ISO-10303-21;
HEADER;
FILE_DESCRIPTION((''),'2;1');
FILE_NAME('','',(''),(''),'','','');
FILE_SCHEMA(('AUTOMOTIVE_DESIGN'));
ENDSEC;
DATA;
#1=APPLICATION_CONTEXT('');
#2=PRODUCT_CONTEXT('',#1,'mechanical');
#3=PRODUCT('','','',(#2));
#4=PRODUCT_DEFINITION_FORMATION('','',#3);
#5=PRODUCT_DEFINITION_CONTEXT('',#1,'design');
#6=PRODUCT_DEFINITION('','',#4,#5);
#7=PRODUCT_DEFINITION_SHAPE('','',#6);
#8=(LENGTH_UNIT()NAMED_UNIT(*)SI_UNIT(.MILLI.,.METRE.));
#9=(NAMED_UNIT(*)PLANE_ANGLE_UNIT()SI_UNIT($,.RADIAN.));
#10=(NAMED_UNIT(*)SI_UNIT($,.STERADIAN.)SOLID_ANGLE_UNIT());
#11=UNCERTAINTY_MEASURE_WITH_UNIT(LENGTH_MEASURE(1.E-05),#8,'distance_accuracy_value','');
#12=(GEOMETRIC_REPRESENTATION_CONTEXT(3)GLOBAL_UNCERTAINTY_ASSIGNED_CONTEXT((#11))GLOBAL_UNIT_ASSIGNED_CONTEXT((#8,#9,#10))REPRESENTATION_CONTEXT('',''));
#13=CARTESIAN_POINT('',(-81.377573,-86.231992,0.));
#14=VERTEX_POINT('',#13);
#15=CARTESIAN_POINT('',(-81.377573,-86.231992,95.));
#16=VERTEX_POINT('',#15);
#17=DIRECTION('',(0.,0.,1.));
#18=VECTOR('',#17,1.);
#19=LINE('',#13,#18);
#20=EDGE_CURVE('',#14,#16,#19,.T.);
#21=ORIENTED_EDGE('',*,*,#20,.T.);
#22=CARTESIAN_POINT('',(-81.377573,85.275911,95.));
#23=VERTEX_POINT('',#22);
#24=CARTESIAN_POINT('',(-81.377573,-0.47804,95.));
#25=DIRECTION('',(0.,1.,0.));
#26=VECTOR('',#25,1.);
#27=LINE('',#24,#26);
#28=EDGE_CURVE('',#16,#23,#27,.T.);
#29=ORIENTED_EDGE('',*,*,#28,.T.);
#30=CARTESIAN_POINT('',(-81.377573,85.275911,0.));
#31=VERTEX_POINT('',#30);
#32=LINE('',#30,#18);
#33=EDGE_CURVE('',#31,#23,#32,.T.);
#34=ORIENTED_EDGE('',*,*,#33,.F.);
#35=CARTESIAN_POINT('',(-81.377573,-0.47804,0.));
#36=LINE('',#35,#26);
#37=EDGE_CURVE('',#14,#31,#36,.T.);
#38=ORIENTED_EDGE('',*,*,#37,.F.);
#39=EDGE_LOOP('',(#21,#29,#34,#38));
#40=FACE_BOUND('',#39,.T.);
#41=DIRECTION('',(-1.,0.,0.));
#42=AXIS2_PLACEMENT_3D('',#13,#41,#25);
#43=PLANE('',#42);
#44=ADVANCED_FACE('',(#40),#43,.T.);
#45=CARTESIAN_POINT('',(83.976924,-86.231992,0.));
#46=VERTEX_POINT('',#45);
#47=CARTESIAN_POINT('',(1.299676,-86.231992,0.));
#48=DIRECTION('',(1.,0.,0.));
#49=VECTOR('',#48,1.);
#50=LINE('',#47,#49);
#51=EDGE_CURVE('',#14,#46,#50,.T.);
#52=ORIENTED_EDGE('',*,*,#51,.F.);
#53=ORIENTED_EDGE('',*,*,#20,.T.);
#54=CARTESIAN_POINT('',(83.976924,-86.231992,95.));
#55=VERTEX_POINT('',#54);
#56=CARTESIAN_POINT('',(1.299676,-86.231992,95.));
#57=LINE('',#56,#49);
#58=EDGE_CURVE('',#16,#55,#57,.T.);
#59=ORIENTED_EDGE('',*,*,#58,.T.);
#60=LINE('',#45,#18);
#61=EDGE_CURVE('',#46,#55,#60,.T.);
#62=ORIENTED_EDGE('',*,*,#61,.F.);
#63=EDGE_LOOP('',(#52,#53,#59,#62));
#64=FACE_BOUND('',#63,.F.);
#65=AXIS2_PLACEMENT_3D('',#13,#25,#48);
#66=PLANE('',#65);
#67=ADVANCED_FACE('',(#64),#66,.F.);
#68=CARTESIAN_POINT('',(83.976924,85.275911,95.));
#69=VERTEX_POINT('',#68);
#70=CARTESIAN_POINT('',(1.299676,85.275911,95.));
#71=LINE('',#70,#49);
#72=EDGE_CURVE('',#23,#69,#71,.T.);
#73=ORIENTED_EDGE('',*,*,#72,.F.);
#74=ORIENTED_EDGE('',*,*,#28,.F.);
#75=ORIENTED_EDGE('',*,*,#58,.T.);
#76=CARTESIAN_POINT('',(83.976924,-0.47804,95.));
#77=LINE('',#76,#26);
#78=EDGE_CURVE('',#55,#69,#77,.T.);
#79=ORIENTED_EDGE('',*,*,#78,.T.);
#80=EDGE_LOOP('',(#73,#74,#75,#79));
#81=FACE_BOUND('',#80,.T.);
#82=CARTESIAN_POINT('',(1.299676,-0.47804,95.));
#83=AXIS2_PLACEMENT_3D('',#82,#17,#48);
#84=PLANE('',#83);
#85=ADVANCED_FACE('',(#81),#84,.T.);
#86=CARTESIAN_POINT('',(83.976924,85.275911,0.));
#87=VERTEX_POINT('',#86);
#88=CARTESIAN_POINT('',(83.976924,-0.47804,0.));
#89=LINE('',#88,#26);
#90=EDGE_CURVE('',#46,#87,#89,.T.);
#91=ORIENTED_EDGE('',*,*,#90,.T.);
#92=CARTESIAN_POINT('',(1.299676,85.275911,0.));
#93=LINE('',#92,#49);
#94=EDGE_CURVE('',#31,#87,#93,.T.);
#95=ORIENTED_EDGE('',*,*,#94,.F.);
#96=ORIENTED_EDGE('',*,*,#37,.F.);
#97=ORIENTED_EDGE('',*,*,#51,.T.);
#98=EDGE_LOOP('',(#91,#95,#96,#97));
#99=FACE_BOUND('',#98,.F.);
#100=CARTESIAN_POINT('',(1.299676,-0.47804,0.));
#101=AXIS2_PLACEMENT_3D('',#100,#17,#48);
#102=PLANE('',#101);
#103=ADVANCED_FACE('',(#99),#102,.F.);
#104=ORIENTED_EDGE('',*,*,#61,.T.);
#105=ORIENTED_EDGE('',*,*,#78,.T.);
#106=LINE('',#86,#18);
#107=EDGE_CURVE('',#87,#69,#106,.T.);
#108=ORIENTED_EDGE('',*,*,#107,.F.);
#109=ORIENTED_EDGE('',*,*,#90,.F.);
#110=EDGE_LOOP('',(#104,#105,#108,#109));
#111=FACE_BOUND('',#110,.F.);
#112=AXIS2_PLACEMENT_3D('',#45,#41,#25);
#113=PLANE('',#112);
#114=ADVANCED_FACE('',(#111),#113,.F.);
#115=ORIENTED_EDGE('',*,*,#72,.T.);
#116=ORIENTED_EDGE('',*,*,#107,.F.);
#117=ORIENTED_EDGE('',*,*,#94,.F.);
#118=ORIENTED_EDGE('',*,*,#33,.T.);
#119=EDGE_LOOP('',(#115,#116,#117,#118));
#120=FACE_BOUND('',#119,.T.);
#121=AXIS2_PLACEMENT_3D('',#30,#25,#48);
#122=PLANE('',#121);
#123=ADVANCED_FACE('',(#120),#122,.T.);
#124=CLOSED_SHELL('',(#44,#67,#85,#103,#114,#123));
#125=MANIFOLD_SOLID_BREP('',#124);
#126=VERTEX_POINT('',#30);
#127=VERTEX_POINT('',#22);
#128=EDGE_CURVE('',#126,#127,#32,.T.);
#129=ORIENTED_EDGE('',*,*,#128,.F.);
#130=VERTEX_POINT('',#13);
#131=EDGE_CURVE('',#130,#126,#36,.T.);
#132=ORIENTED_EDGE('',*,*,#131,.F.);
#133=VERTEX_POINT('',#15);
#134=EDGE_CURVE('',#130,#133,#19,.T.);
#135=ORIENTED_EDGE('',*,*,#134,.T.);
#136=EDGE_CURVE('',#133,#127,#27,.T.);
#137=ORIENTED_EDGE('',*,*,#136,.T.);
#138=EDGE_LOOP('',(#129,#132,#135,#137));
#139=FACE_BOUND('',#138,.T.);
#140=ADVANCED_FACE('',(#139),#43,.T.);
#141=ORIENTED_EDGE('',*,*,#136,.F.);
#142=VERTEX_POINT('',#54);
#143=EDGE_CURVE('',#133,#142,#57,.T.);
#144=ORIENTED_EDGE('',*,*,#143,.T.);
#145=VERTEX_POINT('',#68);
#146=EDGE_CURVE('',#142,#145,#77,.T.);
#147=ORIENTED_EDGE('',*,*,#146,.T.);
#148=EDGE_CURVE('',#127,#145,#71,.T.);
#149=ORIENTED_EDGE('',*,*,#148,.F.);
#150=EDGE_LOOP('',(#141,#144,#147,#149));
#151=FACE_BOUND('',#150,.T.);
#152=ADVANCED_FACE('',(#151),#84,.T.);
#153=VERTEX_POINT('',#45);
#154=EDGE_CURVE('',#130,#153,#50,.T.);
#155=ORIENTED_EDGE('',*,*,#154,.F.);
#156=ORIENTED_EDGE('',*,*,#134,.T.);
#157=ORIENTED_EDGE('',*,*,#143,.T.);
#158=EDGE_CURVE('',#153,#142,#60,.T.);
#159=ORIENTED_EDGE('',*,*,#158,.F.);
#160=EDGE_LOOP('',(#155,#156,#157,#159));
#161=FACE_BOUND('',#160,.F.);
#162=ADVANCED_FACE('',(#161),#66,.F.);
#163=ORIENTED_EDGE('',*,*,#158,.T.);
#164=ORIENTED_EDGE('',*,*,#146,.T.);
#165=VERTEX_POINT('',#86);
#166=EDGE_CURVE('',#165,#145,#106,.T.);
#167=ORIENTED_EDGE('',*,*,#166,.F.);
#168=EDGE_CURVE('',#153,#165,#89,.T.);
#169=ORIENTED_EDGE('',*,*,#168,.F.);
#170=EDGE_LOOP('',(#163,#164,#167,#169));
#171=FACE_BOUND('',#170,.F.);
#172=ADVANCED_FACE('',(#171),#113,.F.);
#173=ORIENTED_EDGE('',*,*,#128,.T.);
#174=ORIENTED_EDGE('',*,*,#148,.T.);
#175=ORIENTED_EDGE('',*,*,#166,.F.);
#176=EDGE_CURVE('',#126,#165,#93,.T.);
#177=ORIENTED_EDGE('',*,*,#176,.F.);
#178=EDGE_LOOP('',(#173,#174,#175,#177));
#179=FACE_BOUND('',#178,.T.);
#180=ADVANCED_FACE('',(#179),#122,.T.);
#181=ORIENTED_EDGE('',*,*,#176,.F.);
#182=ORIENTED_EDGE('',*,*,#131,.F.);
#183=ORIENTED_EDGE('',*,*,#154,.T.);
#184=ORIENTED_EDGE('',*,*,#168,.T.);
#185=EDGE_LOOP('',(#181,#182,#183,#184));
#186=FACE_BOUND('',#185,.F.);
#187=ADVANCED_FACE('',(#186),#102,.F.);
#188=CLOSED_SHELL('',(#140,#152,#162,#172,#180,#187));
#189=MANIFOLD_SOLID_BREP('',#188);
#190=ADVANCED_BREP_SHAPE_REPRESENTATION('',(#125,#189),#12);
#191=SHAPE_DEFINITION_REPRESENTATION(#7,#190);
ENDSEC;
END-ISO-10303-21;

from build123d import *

# Parameters (mm, degrees)
F1_W     = 165.3544977307
F1_H     = 171.5079024434
F1_R     = 60.0545134234
F2_DEPTH = 95
F0_W     = 165.3544977307
F0_H     = 171.5079024434


with BuildPart() as f2:
    # F1 (on face) → F2 (new body)
    with BuildSketch(Plane.XY):
        with Locations((1.299675554, -0.478040427)):
            Rectangle(F1_W, F1_H)
        Circle(F1_R, mode=Mode.SUBTRACT)
        Circle(F1_R)
    extrude(amount=F2_DEPTH)


with BuildPart() as f2b:
    # F0 (on Top) → F2, piece 2 (new body)
    with BuildSketch(Plane.XY):
        with Locations((1.299675554, -0.478040427)):
            Rectangle(F0_W, F0_H)
    extrude(amount=F2_DEPTH)


solid = Compound([f2.part, f2b.part])
